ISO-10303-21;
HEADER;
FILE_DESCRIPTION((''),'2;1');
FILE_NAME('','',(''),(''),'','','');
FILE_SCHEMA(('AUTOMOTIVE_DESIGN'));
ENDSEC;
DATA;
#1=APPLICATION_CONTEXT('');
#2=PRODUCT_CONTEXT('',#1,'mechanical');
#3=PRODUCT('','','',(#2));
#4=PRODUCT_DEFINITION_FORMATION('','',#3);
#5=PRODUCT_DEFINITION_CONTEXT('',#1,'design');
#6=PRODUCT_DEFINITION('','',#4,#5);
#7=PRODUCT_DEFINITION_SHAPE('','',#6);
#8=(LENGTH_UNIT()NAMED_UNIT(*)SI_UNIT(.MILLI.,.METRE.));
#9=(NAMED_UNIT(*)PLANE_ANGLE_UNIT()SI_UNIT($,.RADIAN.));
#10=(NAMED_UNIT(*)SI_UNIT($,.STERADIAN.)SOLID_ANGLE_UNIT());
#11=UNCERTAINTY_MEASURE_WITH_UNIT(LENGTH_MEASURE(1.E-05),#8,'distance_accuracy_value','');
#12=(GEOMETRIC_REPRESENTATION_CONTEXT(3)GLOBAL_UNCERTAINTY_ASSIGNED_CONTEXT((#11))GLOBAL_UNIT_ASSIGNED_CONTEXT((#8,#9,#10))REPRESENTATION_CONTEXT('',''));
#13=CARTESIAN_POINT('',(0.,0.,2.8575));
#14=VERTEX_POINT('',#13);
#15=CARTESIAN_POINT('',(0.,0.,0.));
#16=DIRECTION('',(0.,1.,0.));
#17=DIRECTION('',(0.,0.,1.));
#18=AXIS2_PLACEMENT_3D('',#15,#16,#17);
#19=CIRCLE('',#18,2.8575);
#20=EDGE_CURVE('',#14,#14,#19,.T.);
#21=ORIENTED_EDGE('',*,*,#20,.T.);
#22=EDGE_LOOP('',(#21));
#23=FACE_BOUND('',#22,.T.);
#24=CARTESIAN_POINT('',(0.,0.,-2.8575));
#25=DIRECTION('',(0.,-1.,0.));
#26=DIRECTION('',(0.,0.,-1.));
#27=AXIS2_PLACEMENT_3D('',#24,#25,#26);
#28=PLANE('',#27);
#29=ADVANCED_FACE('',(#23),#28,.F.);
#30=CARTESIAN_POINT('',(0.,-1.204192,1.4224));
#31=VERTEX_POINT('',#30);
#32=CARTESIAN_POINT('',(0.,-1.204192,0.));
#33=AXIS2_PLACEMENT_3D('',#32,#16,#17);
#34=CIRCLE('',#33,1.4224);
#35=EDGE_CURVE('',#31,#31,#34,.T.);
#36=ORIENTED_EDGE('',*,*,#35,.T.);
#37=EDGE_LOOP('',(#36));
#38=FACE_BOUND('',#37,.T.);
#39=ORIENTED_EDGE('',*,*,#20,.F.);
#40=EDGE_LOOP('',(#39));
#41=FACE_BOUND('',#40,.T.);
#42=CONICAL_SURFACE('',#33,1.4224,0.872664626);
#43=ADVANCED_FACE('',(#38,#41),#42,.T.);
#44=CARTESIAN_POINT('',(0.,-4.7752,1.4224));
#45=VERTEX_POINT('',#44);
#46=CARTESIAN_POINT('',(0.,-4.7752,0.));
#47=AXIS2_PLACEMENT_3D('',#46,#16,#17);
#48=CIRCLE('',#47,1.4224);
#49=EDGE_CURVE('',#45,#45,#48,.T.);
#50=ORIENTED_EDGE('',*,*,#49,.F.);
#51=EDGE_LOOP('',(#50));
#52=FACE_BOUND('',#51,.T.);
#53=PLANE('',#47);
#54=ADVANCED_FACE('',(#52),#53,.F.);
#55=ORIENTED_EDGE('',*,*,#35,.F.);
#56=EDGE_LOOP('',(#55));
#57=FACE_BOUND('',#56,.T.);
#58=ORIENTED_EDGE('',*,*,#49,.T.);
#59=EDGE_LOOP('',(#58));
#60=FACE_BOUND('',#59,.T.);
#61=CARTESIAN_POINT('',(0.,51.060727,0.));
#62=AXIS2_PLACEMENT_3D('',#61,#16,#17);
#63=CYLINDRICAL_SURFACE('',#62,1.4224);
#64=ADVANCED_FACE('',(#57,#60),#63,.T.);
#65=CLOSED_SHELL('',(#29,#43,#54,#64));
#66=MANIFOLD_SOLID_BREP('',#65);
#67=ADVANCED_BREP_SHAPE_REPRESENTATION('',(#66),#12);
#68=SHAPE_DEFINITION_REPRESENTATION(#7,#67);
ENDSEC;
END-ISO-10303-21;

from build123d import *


with BuildPart() as part:
    # Sketch1 → Revolve1 (revolve)
    with BuildSketch(Plane(origin=(0, 0, 0), x_dir=(0, 0, -1), z_dir=(1, 0, 0)), mode=Mode.PRIVATE) as revolve1_sk:
        Polygon((0, 0), (0, -4.7752), (1.4224, -4.7752), (1.4224, -1.204191881), (2.8575, 0), align=None)
    revolve(revolve1_sk.sketch.rotate(Axis((0, 51.060726969, 0), (0, -1, 0)), 180), axis=Axis((0, 51.060726969, 0), (0, -1, 0)))  # turned: the seam where the file's is


solid = part.part
